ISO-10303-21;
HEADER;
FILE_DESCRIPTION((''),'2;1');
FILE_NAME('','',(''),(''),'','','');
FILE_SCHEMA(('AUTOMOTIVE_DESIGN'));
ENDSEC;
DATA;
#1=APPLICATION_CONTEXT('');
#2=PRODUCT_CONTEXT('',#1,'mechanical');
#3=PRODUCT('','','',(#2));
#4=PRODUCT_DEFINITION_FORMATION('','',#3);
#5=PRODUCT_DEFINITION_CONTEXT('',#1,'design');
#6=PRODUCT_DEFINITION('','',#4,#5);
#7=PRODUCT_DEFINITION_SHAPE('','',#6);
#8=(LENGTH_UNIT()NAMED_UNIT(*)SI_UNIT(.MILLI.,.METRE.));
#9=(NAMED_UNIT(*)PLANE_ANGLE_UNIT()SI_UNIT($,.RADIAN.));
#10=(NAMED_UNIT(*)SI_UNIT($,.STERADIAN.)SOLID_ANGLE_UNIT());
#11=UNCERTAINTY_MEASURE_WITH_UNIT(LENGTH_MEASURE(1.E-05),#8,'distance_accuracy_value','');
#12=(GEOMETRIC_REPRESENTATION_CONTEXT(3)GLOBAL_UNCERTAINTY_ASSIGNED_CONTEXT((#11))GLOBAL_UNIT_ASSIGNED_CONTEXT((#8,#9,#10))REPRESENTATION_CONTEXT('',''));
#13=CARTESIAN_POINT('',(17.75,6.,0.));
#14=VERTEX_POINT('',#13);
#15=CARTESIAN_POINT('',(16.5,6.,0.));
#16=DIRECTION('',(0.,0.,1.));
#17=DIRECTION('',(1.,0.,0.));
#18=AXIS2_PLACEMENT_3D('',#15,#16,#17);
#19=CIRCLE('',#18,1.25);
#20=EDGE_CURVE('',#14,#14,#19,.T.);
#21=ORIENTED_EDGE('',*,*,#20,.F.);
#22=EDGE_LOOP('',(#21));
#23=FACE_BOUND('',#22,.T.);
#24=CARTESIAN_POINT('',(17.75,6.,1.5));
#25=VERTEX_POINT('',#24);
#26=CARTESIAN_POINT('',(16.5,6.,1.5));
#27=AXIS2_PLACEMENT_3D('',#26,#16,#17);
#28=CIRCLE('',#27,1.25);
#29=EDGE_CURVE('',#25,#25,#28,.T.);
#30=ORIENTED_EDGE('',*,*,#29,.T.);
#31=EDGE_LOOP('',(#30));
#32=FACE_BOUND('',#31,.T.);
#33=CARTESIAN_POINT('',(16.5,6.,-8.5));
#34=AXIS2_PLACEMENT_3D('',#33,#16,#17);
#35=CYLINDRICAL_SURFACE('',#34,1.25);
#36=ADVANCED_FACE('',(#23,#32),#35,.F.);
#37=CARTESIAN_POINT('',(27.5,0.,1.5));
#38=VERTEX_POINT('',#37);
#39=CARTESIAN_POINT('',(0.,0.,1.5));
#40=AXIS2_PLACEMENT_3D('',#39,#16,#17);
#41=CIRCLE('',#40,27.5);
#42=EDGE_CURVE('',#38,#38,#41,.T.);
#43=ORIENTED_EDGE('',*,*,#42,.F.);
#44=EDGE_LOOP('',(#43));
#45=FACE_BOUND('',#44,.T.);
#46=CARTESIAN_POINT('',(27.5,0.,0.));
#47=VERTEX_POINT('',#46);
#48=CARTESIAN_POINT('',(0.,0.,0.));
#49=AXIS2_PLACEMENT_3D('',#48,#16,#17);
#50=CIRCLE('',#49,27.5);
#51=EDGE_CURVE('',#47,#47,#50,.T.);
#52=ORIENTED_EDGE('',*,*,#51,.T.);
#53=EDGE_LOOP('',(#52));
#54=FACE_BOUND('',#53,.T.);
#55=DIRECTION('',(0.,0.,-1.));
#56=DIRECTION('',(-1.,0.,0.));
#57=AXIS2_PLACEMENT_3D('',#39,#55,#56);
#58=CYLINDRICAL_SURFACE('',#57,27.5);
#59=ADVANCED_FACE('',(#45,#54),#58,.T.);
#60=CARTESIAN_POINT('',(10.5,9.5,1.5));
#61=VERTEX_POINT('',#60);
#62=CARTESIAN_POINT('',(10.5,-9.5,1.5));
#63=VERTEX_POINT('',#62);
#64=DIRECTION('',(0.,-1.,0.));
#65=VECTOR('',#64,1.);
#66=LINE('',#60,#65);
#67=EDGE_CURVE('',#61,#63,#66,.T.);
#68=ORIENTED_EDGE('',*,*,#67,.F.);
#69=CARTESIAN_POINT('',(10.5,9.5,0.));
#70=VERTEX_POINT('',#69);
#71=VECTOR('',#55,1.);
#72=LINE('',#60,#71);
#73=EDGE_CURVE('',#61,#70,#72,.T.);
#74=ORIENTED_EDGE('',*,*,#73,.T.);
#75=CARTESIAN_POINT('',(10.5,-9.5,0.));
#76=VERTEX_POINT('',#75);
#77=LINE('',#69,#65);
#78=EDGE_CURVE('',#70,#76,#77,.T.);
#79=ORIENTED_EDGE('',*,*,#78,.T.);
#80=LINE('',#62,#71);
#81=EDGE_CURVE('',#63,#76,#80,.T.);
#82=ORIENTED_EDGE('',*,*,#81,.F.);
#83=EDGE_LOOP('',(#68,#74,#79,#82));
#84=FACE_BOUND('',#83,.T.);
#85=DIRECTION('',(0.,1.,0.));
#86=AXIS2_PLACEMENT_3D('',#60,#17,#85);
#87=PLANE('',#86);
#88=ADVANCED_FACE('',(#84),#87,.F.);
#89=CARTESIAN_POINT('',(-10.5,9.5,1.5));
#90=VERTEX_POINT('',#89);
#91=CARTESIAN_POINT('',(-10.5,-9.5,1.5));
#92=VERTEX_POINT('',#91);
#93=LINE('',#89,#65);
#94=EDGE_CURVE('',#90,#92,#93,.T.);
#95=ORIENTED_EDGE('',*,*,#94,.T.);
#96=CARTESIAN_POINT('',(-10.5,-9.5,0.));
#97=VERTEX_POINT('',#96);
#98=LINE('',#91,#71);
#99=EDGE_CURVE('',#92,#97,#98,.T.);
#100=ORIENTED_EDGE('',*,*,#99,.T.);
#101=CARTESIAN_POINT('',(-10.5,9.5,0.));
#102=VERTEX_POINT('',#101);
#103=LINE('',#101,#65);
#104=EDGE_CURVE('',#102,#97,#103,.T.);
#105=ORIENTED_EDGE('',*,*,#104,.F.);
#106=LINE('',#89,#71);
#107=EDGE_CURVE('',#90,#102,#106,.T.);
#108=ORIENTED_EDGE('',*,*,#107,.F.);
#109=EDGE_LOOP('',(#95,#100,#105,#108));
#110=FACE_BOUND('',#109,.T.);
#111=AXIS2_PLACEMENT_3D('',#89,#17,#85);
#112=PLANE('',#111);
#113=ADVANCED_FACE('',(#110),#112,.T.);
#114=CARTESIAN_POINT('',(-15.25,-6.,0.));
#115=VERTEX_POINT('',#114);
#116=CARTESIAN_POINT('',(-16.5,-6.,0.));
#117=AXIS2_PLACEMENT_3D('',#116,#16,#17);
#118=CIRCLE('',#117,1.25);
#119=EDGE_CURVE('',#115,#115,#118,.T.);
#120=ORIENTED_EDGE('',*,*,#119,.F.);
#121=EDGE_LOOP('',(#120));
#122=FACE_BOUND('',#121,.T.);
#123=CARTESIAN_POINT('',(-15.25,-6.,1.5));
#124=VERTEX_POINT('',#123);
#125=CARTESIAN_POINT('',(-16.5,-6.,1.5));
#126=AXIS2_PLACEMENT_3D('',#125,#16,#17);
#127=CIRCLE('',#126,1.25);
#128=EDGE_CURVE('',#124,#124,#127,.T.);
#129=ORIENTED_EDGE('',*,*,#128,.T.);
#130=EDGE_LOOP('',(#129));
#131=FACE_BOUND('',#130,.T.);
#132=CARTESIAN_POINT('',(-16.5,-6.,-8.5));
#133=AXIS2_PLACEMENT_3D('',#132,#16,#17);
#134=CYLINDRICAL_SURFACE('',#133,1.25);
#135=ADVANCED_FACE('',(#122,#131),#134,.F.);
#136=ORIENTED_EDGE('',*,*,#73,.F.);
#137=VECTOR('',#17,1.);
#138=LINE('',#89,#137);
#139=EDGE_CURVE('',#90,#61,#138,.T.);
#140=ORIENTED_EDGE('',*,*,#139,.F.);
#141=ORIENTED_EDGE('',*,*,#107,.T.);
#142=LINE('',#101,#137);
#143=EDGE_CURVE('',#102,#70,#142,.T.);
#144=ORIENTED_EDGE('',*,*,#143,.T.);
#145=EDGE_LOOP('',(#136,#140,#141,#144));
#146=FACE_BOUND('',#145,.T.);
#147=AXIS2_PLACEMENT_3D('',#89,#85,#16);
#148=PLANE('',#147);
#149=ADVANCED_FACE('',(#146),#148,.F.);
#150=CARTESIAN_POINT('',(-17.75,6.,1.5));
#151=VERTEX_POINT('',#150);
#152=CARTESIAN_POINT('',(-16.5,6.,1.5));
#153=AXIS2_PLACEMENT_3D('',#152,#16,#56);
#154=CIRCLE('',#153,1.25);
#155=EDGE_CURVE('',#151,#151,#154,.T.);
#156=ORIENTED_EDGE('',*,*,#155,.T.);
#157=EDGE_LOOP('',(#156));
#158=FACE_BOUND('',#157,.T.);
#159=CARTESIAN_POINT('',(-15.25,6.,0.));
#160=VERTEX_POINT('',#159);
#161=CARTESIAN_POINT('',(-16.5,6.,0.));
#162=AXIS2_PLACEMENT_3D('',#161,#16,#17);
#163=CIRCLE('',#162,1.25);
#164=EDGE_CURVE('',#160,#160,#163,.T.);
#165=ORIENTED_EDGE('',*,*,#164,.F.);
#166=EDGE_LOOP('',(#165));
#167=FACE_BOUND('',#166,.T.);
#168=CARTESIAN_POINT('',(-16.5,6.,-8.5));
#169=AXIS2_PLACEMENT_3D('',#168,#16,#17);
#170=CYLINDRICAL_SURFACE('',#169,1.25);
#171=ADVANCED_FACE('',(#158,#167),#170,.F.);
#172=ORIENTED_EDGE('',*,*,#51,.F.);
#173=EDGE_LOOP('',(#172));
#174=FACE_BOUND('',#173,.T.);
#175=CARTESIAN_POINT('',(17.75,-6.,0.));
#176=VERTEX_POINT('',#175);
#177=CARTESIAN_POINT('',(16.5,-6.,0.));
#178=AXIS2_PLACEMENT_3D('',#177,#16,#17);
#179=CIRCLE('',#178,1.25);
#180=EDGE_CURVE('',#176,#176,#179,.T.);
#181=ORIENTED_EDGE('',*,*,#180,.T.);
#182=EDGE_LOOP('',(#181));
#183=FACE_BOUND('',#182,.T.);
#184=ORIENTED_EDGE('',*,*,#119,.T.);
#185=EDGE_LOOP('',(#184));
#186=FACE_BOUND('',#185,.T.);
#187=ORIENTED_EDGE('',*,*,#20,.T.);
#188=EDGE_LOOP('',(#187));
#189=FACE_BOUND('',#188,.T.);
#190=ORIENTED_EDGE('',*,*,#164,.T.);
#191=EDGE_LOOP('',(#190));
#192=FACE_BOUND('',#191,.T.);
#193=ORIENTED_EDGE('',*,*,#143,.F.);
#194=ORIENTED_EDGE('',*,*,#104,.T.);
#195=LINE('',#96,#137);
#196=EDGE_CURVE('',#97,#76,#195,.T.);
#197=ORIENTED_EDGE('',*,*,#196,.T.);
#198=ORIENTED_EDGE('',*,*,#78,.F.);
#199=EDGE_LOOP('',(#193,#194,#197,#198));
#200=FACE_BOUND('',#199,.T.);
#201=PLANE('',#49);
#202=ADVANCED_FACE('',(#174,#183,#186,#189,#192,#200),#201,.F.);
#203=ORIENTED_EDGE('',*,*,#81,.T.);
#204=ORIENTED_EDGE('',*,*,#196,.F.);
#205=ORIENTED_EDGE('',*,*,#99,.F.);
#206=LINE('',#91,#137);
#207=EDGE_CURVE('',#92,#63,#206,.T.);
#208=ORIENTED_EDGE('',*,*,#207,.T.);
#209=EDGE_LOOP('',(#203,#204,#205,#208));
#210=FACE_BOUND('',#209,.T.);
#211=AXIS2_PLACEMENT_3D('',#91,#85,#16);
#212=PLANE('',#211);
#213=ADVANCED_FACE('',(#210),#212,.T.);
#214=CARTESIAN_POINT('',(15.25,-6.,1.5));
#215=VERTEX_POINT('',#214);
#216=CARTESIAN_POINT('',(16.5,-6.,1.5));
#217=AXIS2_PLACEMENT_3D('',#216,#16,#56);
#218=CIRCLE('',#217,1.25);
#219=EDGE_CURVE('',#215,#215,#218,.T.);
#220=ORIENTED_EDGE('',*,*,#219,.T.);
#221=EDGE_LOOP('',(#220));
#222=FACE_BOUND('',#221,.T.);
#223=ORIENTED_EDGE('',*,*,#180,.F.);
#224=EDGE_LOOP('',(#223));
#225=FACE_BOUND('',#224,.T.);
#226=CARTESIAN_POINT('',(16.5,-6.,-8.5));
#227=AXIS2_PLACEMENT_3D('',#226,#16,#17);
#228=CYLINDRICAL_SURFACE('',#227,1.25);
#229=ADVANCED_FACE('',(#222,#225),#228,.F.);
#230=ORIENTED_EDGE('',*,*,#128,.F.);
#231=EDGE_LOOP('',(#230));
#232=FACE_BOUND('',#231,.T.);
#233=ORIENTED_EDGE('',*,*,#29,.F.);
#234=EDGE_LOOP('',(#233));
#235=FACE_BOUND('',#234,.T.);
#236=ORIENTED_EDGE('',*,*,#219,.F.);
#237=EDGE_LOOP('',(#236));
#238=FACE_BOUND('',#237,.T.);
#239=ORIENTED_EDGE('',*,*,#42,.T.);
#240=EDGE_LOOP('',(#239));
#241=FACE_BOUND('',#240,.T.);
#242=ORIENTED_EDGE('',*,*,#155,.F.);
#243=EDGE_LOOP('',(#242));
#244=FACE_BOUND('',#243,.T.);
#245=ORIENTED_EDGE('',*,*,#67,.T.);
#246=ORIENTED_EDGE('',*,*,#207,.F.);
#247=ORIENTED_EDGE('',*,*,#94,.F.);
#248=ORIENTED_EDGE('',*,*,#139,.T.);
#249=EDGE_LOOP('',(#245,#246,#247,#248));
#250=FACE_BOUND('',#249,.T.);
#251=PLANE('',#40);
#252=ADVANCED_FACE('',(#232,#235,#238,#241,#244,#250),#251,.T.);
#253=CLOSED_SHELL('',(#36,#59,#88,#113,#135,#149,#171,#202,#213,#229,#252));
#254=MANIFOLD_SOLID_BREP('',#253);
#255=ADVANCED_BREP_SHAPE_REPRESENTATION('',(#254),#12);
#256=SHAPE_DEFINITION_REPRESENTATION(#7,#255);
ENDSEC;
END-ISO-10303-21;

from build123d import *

# Parameters (mm, degrees)
SKETCH_2_R          = 27.5
SKETCH_2_W          = 21
SKETCH_2_H          = 19
EXTRUDE_2_DEPTH     = 1.5
SKETCH_3_R          = 1.25
CUT_EXTRUDE_1_DEPTH = 10


with BuildPart() as part:
    # 草图2 → 凸台-拉伸2 (new body)
    with BuildSketch(Plane.XY):
        Circle(SKETCH_2_R)
        Rectangle(SKETCH_2_W, SKETCH_2_H, mode=Mode.SUBTRACT)
    extrude(amount=EXTRUDE_2_DEPTH)

    # 草图3 → 切除-拉伸1 (cut)
    with BuildSketch(Plane.XY.offset(1.5)):
        with Locations((16.5, 6)):
            Circle(SKETCH_3_R)
        with Locations((-16.5, 6)):
            Circle(SKETCH_3_R)
        with Locations((16.5, -6)):
            Circle(SKETCH_3_R)
        with Locations((-16.5, -6)):
            Circle(SKETCH_3_R)
    extrude(amount=-CUT_EXTRUDE_1_DEPTH, mode=Mode.SUBTRACT)


solid = part.part
